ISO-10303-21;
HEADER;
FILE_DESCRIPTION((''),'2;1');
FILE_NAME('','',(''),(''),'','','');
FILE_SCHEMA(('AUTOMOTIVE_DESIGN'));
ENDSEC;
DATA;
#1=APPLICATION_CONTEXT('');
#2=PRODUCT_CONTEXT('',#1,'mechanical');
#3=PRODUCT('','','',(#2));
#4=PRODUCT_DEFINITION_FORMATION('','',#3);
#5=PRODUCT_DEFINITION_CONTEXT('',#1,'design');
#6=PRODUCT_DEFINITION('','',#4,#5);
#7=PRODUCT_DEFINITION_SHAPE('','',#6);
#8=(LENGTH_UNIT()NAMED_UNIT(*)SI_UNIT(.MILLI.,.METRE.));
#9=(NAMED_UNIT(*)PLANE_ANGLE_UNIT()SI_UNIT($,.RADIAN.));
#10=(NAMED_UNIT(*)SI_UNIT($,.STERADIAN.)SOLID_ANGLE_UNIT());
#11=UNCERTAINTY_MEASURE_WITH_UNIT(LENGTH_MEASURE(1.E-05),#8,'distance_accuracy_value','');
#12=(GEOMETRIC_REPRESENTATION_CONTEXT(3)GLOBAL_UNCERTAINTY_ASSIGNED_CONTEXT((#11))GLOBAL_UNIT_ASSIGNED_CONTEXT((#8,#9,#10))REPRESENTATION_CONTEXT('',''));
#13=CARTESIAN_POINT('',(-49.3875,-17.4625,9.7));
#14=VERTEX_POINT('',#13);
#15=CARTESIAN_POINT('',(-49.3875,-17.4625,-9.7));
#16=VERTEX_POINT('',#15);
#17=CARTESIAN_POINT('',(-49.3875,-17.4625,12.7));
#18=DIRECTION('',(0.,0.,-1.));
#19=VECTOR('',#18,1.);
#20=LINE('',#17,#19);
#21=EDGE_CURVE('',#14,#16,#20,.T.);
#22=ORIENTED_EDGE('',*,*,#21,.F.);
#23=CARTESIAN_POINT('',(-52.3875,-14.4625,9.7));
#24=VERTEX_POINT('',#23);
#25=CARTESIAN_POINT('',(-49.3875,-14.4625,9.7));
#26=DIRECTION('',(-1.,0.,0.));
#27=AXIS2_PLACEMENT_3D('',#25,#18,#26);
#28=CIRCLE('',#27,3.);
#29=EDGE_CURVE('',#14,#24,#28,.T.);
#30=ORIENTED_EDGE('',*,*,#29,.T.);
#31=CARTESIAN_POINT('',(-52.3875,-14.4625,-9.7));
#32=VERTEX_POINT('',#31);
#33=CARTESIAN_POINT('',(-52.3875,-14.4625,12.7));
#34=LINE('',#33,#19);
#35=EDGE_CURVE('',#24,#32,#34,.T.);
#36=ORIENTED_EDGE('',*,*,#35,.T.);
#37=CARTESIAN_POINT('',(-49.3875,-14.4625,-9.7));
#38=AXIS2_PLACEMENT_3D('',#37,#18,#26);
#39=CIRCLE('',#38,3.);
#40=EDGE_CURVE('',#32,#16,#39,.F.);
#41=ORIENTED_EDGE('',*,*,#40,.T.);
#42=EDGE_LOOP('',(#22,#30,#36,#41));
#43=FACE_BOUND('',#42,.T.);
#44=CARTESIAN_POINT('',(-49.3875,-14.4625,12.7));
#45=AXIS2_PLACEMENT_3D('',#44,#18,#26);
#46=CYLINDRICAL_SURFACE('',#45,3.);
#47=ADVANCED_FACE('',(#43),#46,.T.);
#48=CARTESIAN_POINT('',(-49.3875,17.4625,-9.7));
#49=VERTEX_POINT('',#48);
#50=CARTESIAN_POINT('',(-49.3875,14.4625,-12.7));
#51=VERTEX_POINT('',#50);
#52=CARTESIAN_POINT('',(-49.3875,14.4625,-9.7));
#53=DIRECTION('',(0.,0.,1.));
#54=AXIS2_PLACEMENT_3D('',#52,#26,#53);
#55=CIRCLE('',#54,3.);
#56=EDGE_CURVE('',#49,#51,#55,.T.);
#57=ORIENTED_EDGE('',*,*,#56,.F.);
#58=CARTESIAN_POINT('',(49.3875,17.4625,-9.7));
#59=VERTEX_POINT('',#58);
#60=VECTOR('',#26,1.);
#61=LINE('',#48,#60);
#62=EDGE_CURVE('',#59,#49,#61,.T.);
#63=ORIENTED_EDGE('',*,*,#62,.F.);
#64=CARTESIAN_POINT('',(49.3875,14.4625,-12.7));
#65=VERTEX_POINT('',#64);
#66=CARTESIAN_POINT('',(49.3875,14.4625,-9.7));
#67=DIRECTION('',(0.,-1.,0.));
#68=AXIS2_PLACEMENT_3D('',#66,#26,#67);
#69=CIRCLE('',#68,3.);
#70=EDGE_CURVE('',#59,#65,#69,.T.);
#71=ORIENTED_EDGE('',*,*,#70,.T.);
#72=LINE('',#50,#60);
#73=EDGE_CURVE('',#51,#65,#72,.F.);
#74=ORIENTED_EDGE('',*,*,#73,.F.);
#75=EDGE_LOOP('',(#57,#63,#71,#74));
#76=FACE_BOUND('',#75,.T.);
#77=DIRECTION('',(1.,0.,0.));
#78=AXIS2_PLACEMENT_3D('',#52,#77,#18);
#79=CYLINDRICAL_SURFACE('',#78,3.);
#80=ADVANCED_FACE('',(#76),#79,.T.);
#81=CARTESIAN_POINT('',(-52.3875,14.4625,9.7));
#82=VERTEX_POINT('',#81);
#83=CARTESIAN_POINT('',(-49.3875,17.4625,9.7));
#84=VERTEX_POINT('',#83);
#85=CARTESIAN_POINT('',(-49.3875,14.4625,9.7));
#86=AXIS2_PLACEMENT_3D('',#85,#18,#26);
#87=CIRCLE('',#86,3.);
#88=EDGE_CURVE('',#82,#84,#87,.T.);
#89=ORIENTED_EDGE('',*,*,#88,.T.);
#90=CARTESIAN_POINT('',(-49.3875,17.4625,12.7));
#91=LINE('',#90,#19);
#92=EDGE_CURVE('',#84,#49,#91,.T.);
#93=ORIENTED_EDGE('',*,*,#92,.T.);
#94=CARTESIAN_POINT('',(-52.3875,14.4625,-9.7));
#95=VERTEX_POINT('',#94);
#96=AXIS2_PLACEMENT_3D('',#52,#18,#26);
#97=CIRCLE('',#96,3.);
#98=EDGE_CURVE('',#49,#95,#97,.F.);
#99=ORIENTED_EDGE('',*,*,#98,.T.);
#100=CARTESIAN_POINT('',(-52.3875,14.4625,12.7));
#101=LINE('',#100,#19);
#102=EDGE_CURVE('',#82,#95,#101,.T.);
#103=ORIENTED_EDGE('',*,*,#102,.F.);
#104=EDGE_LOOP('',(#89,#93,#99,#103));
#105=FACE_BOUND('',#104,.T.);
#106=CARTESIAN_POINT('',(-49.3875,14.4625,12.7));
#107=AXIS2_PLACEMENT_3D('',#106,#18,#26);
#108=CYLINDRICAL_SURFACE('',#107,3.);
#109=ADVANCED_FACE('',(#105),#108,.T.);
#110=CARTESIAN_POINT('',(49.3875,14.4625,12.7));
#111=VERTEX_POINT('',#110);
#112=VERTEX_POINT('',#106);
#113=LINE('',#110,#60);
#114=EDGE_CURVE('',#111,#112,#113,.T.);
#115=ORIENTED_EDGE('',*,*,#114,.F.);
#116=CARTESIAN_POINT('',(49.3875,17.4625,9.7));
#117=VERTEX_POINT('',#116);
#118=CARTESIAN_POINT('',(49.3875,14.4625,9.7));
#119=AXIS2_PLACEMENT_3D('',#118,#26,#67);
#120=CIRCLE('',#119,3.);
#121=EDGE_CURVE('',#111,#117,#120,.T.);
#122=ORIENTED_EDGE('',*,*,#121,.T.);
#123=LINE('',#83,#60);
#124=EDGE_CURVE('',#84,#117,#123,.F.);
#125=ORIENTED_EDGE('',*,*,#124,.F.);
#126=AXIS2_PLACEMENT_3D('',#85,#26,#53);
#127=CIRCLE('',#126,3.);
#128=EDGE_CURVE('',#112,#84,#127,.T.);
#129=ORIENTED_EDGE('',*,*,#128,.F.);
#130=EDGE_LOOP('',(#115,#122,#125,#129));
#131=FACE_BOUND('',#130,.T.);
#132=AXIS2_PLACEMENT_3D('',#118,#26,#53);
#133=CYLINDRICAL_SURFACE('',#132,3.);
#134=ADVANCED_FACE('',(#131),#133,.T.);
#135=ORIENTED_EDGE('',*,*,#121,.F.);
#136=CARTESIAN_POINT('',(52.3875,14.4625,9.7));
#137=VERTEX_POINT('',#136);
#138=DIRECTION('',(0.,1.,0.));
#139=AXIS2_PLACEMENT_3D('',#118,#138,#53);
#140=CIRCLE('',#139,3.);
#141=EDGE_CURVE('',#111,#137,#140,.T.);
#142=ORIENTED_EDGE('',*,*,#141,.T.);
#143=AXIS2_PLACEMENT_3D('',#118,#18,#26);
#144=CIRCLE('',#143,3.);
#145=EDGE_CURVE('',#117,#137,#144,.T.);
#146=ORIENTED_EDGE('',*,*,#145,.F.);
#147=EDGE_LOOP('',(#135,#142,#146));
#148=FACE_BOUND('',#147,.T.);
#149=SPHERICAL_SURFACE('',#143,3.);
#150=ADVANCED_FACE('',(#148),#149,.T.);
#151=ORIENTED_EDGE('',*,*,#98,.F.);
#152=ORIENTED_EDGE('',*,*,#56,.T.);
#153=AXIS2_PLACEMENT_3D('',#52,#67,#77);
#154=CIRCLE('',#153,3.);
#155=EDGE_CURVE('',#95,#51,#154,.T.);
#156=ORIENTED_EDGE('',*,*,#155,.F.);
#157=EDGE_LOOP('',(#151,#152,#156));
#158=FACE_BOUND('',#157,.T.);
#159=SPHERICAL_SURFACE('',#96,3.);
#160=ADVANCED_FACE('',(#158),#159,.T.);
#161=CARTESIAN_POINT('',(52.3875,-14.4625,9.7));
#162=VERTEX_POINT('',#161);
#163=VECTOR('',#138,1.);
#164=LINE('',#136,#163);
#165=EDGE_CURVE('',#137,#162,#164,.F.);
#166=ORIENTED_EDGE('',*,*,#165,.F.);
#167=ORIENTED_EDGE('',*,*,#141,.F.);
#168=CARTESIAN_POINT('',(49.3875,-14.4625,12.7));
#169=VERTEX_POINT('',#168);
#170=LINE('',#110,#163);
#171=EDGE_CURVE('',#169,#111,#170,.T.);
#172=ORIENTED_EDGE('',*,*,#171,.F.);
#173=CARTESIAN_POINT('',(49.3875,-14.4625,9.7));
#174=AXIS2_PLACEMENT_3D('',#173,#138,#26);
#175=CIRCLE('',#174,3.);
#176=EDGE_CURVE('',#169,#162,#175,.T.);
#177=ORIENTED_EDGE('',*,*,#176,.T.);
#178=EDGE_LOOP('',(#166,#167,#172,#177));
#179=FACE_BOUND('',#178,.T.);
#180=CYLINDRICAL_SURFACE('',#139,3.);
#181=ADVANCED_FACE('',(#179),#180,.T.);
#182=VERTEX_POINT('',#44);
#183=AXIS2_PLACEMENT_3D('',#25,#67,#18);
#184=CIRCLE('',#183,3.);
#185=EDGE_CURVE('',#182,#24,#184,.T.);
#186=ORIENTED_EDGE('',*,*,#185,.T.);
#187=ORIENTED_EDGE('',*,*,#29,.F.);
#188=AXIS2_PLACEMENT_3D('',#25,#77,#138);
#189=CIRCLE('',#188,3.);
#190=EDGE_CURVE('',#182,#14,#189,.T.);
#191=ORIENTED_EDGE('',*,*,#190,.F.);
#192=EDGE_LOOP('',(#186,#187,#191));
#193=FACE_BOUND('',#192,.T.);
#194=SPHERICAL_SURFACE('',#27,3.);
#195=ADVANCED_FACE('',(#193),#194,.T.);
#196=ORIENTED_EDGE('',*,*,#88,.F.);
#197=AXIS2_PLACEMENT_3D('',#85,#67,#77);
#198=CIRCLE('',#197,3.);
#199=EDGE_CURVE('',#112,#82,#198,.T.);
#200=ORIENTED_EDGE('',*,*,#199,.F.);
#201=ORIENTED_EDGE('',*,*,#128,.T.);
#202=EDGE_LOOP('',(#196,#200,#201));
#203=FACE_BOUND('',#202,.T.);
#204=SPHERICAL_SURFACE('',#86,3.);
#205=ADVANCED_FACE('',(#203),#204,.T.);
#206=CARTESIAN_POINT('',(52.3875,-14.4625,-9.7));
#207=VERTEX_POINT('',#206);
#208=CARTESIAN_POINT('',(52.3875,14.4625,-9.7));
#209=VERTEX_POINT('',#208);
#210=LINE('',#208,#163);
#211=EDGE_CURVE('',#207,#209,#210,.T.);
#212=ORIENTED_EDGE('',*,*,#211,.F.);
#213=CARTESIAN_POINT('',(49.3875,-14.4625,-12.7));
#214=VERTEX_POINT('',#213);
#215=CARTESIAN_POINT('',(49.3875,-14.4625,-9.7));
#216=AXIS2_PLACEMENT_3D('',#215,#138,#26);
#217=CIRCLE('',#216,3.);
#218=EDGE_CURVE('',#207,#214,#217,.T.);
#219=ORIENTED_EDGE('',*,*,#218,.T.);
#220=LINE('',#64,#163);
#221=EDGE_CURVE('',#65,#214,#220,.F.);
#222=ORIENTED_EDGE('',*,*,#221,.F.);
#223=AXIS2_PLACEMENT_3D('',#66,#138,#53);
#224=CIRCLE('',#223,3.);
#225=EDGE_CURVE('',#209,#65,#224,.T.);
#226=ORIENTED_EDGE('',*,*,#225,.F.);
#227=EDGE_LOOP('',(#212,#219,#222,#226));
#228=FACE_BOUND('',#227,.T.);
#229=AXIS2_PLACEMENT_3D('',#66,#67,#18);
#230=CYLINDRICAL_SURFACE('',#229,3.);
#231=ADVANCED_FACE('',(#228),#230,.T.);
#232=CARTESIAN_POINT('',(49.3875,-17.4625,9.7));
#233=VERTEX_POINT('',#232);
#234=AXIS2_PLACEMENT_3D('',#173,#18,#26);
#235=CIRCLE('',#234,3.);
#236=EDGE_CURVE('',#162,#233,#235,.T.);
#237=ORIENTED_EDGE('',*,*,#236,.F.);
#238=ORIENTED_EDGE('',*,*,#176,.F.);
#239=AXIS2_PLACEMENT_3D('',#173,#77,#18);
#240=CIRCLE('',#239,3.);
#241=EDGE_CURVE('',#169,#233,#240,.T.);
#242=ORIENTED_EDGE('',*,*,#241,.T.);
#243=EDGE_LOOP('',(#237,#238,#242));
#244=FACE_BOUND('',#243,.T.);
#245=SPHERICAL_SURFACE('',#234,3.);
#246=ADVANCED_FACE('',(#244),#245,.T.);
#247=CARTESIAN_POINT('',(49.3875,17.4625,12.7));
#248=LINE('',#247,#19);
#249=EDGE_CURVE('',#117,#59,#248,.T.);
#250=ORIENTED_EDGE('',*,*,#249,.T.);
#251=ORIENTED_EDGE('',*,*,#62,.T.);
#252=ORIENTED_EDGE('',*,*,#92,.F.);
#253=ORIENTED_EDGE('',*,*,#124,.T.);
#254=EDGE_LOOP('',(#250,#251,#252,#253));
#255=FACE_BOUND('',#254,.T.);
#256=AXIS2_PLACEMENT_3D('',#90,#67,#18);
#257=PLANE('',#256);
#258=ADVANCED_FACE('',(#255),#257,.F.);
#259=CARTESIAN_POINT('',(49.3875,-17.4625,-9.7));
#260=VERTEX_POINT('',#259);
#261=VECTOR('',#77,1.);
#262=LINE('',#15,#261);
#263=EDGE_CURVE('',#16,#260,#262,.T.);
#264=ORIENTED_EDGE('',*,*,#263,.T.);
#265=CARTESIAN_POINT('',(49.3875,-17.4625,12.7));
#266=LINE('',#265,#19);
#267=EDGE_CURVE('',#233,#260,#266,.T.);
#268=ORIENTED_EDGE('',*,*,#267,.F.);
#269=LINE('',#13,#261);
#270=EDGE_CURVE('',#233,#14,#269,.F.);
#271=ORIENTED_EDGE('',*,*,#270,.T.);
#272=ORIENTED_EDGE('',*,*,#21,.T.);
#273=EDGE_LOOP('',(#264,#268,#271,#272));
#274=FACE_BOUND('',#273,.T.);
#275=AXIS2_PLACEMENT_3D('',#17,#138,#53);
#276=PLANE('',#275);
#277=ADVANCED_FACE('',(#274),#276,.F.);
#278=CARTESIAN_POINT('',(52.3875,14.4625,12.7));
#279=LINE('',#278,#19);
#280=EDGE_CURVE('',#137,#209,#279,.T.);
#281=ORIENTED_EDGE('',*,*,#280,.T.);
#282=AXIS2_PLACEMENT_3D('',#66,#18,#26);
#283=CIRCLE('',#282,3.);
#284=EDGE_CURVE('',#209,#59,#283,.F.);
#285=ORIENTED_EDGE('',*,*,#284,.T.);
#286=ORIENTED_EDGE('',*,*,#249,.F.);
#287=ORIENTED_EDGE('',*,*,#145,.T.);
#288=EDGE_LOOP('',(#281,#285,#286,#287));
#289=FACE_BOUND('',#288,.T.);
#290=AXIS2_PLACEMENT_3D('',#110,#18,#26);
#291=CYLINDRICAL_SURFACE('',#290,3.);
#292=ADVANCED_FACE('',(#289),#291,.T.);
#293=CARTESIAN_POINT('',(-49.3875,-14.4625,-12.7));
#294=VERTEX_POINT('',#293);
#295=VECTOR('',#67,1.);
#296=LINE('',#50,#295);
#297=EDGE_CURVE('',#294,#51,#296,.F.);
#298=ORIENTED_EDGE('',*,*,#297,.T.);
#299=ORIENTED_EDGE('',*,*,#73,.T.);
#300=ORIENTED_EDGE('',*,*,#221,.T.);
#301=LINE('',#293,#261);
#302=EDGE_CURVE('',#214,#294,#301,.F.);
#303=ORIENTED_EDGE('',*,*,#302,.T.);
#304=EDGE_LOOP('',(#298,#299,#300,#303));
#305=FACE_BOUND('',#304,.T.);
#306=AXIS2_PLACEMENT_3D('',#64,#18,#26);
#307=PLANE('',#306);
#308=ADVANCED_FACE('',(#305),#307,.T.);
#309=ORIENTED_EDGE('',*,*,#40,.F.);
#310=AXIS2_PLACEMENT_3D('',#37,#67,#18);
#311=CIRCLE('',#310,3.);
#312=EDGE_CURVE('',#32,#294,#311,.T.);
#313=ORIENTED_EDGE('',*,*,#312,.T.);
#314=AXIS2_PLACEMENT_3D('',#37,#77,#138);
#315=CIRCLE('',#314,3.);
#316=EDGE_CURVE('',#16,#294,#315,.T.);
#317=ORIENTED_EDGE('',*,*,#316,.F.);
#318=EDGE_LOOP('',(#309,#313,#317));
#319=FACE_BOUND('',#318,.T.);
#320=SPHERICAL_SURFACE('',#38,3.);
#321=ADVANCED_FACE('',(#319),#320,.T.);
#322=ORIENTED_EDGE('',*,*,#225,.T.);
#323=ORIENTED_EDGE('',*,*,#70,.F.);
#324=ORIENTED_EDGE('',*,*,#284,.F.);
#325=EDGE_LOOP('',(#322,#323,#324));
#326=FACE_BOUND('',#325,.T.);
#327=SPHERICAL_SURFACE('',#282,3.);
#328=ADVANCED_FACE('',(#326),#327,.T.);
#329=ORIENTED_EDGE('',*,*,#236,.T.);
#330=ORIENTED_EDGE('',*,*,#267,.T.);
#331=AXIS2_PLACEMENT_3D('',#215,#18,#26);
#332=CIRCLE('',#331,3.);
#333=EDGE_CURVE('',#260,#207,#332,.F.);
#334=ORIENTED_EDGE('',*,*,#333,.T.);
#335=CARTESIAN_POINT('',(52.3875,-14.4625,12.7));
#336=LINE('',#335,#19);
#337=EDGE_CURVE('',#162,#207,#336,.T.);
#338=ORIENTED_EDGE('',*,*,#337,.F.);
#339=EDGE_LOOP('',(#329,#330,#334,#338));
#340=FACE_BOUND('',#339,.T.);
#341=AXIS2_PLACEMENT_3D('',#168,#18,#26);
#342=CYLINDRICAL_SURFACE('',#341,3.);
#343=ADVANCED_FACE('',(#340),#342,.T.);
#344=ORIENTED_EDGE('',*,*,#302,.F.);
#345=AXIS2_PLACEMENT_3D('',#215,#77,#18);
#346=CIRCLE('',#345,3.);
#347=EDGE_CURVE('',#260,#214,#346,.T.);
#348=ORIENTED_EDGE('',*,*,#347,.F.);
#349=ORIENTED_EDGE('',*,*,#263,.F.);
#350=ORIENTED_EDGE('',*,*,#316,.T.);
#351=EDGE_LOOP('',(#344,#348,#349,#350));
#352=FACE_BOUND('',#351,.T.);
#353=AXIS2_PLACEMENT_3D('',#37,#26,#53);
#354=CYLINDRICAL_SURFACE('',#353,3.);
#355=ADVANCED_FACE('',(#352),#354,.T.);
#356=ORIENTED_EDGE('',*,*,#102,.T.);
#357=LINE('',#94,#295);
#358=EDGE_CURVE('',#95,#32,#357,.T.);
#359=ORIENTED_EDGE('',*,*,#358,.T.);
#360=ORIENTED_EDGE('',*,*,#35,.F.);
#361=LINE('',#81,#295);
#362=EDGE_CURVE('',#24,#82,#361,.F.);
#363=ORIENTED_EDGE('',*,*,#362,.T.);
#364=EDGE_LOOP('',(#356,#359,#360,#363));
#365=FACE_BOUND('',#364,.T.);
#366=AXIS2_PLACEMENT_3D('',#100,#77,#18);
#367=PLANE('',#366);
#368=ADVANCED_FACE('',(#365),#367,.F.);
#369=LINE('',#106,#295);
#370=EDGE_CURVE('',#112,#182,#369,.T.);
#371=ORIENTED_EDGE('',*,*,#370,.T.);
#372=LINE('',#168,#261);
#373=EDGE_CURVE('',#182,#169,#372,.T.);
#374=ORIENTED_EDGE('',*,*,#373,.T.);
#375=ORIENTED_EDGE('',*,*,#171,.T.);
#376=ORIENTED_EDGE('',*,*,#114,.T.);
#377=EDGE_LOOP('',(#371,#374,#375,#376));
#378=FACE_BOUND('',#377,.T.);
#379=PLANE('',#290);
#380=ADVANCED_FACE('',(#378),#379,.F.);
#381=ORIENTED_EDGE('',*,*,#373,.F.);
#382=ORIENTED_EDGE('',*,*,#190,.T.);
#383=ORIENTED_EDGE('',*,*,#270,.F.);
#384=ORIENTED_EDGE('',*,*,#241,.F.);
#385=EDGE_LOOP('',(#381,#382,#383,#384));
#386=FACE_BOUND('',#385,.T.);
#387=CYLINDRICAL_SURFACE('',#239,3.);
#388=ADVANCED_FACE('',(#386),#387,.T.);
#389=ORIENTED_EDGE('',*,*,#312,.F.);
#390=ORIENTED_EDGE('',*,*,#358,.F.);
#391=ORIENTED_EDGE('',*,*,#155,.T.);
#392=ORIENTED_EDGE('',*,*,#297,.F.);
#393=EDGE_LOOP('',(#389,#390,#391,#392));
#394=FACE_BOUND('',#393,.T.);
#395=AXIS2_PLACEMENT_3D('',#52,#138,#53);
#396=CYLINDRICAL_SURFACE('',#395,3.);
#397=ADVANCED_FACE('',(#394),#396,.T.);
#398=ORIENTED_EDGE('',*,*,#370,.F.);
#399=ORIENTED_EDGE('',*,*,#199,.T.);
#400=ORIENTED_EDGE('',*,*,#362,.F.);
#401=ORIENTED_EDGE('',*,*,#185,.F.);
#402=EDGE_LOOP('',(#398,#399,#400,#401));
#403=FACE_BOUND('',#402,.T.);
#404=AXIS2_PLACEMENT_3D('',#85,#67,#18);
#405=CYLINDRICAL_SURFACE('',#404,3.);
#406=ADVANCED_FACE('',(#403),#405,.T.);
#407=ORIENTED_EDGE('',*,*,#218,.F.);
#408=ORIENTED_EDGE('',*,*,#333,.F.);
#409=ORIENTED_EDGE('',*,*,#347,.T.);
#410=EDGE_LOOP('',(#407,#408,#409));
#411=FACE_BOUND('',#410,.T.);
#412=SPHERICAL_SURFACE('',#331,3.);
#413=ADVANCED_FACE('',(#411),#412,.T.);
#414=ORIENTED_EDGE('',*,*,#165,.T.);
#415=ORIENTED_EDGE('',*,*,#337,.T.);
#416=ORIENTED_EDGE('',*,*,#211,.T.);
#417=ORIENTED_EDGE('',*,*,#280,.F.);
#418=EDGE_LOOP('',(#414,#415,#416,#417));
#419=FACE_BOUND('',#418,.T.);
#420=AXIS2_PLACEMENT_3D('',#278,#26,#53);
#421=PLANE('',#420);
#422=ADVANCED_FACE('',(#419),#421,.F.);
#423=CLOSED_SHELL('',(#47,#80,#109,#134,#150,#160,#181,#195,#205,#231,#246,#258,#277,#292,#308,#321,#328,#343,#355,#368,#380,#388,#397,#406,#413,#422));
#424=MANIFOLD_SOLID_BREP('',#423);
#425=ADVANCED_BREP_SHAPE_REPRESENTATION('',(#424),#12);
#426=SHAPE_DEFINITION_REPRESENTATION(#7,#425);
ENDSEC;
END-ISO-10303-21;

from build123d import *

# Parameters (mm, degrees)
SALIENTE_EXTRUIR1_DEPTH = 12.7
REDONDEO1_R             = 3
REDONDEO2_R             = 3


with BuildPart() as part:
    # Croquis1 → Saliente-Extruir1 (new, symmetric)
    with BuildSketch(Plane.XY):
        with BuildLine():
            Line((-49.3875, 17.4625), (49.3875, 17.4625))
            ThreePointArc((49.3875, 17.4625), (51.508820344, 16.583820344), (52.3875, 14.4625))
            Line((52.3875, 14.4625), (52.3875, -14.4625))
            ThreePointArc((52.3875, -14.4625), (51.508820344, -16.583820344), (49.3875, -17.4625))
            Line((49.3875, -17.4625), (-49.3875, -17.4625))
            ThreePointArc((-49.3875, -17.4625), (-51.508820344, -16.583820344), (-52.3875, -14.4625))
            Line((-52.3875, -14.4625), (-52.3875, 14.4625))
            ThreePointArc((-52.3875, 14.4625), (-51.508820344, 16.583820344), (-49.3875, 17.4625))
        make_face()
    extrude(amount=SALIENTE_EXTRUIR1_DEPTH, both=True)

    # Redondeo1
    redondeo1_edges = [part.edges().sort_by_distance(p)[0] for p in [
        (-51.508820344, 16.583820344, 12.7),
        (-52.3875, 0, 12.7),
        (-51.508820344, -16.583820344, 12.7),
        (0, -17.4625, 12.7),
        (51.508820344, -16.583820344, 12.7),
        (52.3875, 0, 12.7),
        (51.508820344, 16.583820344, 12.7),
        (0, 17.4625, 12.7),
    ]]
    fillet(redondeo1_edges, radius=REDONDEO1_R)

    # Redondeo2
    redondeo2_edges = [part.edges().sort_by_distance(p)[0] for p in [
        (0, 17.4625, -12.7),
        (51.508820344, 16.583820344, -12.7),
        (52.3875, 0, -12.7),
        (51.508820344, -16.583820344, -12.7),
        (0, -17.4625, -12.7),
        (-51.508820344, -16.583820344, -12.7),
        (-52.3875, 0, -12.7),
        (-51.508820344, 16.583820344, -12.7),
    ]]
    fillet(redondeo2_edges, radius=REDONDEO2_R)


solid = part.part
